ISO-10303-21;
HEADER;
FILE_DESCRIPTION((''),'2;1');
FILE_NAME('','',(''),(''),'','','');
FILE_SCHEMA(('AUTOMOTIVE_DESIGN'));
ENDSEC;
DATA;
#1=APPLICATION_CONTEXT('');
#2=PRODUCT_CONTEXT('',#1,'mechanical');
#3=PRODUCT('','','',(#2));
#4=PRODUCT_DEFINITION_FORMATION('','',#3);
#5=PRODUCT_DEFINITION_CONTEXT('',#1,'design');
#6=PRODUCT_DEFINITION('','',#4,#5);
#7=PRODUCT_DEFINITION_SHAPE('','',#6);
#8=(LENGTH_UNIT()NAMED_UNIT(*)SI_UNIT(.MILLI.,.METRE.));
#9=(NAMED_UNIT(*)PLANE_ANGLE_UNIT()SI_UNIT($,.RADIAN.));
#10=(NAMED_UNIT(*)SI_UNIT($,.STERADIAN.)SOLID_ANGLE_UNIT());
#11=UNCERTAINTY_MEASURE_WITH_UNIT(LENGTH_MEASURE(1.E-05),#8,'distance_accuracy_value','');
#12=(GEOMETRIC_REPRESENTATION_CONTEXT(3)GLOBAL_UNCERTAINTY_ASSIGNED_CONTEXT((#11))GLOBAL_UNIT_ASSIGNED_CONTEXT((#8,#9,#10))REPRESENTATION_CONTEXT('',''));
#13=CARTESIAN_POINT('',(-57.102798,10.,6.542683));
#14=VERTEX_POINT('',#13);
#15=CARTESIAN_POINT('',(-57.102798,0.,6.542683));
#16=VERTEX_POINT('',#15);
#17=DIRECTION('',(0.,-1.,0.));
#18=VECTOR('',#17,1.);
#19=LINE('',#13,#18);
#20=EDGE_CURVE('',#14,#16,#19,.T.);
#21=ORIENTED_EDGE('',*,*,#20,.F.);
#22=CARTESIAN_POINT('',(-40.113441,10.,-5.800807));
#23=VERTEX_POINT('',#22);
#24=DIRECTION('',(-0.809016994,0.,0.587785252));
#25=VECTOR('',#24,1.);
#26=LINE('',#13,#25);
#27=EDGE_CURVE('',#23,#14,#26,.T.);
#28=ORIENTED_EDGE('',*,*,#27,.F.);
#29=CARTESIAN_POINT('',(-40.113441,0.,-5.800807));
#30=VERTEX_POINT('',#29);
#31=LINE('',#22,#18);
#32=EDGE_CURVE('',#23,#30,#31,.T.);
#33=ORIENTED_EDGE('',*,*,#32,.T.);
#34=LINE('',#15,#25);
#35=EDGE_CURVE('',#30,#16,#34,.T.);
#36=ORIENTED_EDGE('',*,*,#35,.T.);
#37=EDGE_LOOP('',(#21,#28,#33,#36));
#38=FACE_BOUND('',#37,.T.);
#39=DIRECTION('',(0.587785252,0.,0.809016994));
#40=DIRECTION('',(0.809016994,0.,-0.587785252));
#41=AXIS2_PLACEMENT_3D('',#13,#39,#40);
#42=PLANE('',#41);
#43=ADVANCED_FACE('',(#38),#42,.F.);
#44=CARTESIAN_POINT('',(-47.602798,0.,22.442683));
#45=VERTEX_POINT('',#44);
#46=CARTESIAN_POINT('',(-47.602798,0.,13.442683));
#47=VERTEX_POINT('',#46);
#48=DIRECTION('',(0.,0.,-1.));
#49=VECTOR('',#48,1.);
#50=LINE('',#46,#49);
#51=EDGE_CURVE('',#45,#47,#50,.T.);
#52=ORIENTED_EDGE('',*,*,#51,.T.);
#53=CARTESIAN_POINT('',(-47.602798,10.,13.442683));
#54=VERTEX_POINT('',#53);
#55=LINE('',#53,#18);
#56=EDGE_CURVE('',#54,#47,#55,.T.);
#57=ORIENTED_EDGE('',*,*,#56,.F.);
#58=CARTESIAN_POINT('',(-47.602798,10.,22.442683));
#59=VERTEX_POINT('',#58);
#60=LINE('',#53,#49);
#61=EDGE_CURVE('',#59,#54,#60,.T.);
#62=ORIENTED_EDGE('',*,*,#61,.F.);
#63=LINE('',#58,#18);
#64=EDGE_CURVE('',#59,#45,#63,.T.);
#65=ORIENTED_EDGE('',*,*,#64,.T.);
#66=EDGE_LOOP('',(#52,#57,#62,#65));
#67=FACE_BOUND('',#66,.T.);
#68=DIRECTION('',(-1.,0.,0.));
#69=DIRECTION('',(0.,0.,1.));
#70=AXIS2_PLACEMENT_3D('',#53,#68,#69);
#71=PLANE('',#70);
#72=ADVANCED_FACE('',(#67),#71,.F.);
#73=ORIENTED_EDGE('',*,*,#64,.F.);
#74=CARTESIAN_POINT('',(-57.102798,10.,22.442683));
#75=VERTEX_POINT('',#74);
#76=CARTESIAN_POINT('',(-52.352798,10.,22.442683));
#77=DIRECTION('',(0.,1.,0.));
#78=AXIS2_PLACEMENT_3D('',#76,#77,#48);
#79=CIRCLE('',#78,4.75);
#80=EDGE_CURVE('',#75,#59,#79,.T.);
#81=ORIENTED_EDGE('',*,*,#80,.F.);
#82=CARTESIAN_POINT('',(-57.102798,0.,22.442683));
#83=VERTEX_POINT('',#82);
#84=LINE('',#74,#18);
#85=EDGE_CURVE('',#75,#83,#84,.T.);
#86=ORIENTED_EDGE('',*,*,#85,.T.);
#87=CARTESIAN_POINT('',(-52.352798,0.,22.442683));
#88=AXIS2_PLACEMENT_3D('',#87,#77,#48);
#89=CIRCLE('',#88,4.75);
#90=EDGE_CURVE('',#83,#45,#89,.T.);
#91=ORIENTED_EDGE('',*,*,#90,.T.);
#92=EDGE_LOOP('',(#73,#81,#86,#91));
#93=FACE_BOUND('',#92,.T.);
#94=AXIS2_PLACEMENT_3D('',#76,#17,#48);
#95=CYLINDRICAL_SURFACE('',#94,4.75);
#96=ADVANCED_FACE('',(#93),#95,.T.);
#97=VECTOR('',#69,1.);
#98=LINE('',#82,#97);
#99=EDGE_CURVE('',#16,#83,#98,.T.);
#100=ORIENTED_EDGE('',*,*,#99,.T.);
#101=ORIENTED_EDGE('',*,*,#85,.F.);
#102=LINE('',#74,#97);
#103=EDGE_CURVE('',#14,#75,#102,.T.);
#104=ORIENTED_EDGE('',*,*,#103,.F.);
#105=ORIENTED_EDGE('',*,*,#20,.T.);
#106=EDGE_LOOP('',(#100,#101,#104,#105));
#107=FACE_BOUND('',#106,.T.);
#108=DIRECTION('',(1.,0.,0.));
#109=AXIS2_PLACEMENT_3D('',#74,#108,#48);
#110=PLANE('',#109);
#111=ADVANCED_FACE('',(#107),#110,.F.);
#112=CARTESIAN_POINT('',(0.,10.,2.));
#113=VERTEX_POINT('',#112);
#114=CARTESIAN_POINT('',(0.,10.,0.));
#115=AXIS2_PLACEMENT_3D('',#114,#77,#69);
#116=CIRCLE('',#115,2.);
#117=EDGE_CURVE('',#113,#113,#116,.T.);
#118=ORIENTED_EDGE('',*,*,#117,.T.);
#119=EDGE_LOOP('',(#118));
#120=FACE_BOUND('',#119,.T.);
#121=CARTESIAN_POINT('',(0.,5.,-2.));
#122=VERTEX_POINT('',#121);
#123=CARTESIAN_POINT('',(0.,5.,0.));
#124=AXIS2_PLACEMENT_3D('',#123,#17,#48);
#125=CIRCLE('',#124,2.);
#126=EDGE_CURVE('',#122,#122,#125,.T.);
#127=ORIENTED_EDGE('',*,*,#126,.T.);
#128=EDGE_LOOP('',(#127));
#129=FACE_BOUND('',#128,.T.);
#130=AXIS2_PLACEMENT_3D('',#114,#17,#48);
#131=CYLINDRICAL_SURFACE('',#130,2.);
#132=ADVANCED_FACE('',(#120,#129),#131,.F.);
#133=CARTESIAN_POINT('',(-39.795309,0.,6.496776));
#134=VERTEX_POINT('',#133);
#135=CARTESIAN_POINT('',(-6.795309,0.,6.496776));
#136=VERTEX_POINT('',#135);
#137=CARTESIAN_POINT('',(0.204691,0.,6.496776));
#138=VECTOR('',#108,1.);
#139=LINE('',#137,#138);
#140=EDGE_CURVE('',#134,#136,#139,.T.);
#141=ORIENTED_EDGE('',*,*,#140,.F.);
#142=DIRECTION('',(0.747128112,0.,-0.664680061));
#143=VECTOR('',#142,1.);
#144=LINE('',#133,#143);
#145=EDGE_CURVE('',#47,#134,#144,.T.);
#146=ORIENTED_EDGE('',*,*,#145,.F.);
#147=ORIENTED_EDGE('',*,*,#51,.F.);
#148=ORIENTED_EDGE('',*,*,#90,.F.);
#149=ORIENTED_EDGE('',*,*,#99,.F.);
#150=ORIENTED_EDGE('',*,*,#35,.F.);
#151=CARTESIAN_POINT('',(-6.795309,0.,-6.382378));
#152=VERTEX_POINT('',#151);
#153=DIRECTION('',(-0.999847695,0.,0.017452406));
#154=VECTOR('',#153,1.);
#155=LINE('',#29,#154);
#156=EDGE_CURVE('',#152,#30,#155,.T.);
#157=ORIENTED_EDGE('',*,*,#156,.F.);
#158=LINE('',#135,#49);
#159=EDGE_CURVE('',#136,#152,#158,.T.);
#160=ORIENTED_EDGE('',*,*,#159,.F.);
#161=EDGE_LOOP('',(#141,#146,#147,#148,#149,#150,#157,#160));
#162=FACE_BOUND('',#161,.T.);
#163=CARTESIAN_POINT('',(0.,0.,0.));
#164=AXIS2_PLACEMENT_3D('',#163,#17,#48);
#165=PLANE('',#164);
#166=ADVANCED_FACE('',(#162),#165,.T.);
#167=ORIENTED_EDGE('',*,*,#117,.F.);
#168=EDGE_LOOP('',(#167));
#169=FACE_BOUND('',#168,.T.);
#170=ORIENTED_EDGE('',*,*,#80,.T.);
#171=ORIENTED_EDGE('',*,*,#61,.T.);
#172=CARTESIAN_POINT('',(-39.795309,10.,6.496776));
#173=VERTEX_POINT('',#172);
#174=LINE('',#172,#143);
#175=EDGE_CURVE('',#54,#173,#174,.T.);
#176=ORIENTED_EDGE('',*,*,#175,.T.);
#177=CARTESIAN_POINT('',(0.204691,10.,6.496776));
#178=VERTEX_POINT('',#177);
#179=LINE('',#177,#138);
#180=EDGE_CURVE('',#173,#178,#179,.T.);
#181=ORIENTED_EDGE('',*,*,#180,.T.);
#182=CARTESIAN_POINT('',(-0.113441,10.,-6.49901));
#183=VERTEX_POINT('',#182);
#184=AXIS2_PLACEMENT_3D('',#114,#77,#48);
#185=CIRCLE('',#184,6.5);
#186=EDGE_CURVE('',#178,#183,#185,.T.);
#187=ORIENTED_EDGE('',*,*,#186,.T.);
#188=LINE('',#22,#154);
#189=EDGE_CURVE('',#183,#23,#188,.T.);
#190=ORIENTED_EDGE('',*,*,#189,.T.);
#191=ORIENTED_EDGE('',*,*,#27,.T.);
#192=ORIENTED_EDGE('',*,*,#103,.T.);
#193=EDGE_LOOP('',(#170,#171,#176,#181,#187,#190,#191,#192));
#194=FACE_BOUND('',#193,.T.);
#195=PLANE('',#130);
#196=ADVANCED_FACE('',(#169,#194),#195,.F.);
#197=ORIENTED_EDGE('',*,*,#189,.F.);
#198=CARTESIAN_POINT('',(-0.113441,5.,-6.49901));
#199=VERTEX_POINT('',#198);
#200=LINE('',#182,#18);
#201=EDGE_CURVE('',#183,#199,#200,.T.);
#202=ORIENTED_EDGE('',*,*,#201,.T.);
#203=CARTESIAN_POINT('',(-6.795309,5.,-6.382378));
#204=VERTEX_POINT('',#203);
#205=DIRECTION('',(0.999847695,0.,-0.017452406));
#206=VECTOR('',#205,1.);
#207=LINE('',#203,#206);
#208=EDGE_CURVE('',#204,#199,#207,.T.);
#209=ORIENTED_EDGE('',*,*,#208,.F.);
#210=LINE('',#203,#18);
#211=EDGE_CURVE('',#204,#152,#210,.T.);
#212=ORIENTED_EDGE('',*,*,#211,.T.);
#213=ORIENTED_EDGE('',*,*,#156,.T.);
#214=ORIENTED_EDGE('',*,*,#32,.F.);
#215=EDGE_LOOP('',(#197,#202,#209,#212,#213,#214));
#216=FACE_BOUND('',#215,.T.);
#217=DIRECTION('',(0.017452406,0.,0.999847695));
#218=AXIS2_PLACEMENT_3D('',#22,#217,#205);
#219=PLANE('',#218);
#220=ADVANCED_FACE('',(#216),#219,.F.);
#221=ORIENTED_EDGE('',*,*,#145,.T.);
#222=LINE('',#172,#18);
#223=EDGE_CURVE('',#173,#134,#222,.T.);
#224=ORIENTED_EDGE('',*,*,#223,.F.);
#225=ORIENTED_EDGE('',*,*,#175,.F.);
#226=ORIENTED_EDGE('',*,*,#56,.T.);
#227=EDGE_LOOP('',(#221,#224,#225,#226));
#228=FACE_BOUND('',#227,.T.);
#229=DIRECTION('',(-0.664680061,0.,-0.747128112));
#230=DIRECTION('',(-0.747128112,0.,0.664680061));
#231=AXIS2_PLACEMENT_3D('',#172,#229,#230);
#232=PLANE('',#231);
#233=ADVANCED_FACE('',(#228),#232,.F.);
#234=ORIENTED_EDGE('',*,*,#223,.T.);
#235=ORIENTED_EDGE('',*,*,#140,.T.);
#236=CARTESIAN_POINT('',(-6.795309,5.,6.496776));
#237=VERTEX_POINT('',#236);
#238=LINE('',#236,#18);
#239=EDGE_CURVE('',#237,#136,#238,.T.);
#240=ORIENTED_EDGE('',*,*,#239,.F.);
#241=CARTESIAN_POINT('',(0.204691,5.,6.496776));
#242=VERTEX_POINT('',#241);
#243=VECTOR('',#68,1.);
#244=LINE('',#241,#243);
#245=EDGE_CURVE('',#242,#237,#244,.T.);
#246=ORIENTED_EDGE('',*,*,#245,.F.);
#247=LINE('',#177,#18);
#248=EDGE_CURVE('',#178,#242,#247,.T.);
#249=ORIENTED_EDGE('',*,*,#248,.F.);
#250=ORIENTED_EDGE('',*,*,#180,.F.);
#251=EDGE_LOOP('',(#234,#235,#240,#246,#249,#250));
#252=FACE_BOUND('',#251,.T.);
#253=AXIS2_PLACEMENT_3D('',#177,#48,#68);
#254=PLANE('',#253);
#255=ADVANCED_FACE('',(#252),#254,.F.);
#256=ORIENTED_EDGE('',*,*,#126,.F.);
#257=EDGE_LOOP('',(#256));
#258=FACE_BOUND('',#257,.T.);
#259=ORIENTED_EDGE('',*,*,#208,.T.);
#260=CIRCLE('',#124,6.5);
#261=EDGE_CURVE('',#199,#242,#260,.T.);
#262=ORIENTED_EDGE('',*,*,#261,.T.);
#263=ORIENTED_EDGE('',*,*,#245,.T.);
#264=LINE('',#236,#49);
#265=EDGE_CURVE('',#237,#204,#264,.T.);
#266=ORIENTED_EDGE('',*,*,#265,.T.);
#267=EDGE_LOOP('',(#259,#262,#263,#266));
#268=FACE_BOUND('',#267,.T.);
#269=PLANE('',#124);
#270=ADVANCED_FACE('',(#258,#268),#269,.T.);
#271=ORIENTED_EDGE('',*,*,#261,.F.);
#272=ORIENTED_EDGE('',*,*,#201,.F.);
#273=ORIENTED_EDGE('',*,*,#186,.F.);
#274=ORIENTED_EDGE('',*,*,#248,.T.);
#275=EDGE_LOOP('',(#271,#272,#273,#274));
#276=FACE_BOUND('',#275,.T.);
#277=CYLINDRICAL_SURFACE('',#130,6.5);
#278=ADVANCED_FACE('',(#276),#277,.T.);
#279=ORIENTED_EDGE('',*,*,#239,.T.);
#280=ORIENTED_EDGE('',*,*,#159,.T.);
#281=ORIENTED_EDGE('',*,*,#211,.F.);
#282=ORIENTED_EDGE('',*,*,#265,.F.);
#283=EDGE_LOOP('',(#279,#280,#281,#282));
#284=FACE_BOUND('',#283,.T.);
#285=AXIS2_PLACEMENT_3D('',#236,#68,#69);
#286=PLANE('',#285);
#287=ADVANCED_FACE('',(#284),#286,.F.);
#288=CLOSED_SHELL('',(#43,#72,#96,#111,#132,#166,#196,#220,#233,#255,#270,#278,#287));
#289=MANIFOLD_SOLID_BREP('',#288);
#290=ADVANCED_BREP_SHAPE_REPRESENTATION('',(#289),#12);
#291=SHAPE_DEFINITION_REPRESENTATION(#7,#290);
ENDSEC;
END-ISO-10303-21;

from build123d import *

# Parameters (mm, degrees)
CROQUIS1_R              = 2
SALIENTE_EXTRUIR1_DEPTH = 10
CROQUIS3_R              = 2
CORTAR_EXTRUIR1_DEPTH   = 5


with BuildPart() as part:
    # Croquis1 → Saliente-Extruir1 (new body)
    with BuildSketch(Plane(origin=(0, 0, 0), x_dir=(1, 0, 0), z_dir=(0, 1, 0))):
        with BuildLine():
            Line((0.204691251, -6.496776238), (-39.795308749, -6.496776238))
            Line((-39.795308749, -6.496776238), (-47.602797524, -13.442682877))
            Line((-47.602797524, -13.442682877), (-47.602797524, -22.442682877))
            ThreePointArc((-47.602797524, -22.442682877), (-52.352797524, -27.192682877), (-57.102797524, -22.442682877))
            Line((-57.102797524, -22.442682877), (-57.102797524, -6.542682877))
            Line((-57.102797524, -6.542682877), (-40.113440642, 5.800807421))
            Line((-40.113440642, 5.800807421), (-0.113440642, 6.499010019))
            ThreePointArc((-0.113440642, 6.499010019), (6.498053307, 0.159069868), (0.204691251, -6.496776238))
        make_face()
        with Locations(Location((0, 0, 0), (0, 0, 270))):
            Circle(CROQUIS1_R, mode=Mode.SUBTRACT)
    extrude(amount=SALIENTE_EXTRUIR1_DEPTH)

    # Croquis3 → Cortar-Extruir1 (cut)
    with BuildSketch(Plane.XZ):
        with BuildLine():
            Line((0.204691251, 6.496776238), (-6.795308749, 6.496776238))
            Line((-6.795308749, 6.496776238), (-6.795308749, -6.382377577))
            Line((-6.795308749, -6.382377577), (-0.113440642, -6.499010019))
            ThreePointArc((-0.113440642, -6.499010019), (6.498053307, -0.159069868), (0.204691251, 6.496776238))
        make_face()
        with Locations(Location((0, 0, 0), (0, 0, 270))):
            Circle(CROQUIS3_R, mode=Mode.SUBTRACT)
    extrude(amount=-CORTAR_EXTRUIR1_DEPTH, mode=Mode.SUBTRACT)


solid = part.part
